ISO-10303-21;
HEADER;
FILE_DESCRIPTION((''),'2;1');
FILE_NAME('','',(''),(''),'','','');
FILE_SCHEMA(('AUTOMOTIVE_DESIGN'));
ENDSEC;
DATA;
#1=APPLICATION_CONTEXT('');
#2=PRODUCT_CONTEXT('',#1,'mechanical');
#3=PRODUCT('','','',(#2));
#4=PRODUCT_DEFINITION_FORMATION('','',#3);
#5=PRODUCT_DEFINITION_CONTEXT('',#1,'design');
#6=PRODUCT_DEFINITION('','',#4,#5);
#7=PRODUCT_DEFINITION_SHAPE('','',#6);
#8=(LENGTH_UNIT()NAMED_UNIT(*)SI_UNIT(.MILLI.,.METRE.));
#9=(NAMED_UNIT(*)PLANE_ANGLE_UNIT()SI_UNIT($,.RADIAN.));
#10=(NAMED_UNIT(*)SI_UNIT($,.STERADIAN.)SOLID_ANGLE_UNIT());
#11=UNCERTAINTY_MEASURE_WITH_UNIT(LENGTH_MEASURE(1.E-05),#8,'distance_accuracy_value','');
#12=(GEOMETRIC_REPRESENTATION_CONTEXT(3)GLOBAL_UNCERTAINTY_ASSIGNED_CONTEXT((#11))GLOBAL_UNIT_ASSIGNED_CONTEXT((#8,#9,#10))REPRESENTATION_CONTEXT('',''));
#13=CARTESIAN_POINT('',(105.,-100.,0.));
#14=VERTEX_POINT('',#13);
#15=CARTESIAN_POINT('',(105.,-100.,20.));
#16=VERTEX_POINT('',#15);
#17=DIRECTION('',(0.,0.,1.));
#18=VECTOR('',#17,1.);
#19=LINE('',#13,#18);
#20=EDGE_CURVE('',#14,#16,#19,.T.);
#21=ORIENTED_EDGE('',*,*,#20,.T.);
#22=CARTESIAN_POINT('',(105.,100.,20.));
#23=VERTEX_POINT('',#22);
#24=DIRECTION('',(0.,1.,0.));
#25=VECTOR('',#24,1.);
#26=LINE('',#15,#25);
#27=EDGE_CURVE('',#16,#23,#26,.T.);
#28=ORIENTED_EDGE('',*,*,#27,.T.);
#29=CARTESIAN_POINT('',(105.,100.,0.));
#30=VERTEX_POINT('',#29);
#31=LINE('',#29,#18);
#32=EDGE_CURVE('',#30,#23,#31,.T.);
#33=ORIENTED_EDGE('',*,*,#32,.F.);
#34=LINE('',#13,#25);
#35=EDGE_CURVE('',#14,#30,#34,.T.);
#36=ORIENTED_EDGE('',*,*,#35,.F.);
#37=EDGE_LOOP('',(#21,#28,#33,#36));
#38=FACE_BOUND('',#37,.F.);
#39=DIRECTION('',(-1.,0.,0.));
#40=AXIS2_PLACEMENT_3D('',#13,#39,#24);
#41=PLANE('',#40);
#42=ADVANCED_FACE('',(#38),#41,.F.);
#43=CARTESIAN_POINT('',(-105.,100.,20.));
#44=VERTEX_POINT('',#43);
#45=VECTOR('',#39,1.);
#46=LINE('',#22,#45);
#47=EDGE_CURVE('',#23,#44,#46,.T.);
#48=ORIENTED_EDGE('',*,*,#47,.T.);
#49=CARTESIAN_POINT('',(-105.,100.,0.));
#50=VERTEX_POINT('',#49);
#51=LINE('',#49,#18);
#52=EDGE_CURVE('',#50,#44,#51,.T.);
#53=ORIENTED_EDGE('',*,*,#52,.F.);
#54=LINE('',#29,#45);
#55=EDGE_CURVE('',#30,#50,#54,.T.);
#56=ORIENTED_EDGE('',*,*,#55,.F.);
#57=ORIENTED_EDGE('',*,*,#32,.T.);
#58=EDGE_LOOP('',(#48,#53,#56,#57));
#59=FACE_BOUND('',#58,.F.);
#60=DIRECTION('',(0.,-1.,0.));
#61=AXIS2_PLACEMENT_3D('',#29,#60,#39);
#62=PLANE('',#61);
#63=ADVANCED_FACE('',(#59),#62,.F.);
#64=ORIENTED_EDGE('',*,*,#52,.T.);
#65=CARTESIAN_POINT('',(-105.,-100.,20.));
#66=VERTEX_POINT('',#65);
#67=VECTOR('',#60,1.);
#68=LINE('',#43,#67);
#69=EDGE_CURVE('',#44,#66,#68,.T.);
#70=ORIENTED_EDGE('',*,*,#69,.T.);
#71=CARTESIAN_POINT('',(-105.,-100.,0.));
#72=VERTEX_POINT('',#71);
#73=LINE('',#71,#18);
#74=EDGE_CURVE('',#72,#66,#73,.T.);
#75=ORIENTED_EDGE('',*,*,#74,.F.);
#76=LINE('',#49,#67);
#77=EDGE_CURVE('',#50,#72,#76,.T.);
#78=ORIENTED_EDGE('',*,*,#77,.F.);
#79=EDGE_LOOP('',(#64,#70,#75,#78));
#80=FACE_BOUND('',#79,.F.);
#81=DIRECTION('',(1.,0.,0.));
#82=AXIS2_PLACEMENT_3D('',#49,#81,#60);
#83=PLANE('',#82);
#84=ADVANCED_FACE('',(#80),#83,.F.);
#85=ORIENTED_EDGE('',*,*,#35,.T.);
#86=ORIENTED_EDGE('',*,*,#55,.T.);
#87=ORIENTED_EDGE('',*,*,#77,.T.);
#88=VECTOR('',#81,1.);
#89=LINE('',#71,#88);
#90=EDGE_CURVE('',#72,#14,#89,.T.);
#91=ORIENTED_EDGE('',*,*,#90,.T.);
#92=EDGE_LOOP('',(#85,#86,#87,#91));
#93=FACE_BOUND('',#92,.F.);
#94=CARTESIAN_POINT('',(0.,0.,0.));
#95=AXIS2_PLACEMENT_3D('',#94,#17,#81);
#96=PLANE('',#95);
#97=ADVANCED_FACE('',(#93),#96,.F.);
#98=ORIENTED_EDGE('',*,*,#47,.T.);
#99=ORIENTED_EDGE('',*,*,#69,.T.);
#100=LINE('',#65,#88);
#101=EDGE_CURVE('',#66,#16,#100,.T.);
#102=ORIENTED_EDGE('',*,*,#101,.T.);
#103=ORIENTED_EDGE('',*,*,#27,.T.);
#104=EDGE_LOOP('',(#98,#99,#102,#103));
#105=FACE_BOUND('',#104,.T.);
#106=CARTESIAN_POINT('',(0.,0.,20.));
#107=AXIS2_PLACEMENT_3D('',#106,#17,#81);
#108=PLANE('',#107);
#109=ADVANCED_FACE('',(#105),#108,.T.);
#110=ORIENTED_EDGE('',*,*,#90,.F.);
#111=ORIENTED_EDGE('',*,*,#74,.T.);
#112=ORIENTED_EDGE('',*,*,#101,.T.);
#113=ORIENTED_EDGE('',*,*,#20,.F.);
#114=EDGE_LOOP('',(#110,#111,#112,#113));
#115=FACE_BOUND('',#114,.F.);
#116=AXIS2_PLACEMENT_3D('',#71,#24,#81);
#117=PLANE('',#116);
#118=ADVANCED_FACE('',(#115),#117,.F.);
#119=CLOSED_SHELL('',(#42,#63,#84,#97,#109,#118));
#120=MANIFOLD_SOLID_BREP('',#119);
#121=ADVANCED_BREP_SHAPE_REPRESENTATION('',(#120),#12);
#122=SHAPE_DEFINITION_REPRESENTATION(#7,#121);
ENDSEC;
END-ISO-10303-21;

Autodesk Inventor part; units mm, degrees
ref_plane "YZ Plane" through (0, 0, 0) normal (1, 0, 0) x (0, 1, 0)
ref_plane "XZ Plane" through (0, 0, 0) normal (0, 1, 0) x (-1, 0, 0)
ref_plane "XY Plane" through (0, 0, 0) normal (0, 0, 1) x (1, 0, 0)
sketch "Esboço1" plane through (0, 0, 0) normal (0, 0, 1) x (1, 0, 0)
  line L0 (-105, -100) -> (105, -100)
  line L1 (105, -100) -> (105, 100)
  line L2 (105, 100) -> (-105, 100)
  line L3 (-105, 100) -> (-105, -100)
  line L4 (-105, -100) -> (105, 100) construction
  line L5 (105, -100) -> (-105, 100) construction
  point P0 (0, 0)
  dimension "d0" = 200
  dimension "d1" = 210
extrude "Extrusão1" add sketch "Esboço1" along normal blind 20
properties part number "placa-circuito"
